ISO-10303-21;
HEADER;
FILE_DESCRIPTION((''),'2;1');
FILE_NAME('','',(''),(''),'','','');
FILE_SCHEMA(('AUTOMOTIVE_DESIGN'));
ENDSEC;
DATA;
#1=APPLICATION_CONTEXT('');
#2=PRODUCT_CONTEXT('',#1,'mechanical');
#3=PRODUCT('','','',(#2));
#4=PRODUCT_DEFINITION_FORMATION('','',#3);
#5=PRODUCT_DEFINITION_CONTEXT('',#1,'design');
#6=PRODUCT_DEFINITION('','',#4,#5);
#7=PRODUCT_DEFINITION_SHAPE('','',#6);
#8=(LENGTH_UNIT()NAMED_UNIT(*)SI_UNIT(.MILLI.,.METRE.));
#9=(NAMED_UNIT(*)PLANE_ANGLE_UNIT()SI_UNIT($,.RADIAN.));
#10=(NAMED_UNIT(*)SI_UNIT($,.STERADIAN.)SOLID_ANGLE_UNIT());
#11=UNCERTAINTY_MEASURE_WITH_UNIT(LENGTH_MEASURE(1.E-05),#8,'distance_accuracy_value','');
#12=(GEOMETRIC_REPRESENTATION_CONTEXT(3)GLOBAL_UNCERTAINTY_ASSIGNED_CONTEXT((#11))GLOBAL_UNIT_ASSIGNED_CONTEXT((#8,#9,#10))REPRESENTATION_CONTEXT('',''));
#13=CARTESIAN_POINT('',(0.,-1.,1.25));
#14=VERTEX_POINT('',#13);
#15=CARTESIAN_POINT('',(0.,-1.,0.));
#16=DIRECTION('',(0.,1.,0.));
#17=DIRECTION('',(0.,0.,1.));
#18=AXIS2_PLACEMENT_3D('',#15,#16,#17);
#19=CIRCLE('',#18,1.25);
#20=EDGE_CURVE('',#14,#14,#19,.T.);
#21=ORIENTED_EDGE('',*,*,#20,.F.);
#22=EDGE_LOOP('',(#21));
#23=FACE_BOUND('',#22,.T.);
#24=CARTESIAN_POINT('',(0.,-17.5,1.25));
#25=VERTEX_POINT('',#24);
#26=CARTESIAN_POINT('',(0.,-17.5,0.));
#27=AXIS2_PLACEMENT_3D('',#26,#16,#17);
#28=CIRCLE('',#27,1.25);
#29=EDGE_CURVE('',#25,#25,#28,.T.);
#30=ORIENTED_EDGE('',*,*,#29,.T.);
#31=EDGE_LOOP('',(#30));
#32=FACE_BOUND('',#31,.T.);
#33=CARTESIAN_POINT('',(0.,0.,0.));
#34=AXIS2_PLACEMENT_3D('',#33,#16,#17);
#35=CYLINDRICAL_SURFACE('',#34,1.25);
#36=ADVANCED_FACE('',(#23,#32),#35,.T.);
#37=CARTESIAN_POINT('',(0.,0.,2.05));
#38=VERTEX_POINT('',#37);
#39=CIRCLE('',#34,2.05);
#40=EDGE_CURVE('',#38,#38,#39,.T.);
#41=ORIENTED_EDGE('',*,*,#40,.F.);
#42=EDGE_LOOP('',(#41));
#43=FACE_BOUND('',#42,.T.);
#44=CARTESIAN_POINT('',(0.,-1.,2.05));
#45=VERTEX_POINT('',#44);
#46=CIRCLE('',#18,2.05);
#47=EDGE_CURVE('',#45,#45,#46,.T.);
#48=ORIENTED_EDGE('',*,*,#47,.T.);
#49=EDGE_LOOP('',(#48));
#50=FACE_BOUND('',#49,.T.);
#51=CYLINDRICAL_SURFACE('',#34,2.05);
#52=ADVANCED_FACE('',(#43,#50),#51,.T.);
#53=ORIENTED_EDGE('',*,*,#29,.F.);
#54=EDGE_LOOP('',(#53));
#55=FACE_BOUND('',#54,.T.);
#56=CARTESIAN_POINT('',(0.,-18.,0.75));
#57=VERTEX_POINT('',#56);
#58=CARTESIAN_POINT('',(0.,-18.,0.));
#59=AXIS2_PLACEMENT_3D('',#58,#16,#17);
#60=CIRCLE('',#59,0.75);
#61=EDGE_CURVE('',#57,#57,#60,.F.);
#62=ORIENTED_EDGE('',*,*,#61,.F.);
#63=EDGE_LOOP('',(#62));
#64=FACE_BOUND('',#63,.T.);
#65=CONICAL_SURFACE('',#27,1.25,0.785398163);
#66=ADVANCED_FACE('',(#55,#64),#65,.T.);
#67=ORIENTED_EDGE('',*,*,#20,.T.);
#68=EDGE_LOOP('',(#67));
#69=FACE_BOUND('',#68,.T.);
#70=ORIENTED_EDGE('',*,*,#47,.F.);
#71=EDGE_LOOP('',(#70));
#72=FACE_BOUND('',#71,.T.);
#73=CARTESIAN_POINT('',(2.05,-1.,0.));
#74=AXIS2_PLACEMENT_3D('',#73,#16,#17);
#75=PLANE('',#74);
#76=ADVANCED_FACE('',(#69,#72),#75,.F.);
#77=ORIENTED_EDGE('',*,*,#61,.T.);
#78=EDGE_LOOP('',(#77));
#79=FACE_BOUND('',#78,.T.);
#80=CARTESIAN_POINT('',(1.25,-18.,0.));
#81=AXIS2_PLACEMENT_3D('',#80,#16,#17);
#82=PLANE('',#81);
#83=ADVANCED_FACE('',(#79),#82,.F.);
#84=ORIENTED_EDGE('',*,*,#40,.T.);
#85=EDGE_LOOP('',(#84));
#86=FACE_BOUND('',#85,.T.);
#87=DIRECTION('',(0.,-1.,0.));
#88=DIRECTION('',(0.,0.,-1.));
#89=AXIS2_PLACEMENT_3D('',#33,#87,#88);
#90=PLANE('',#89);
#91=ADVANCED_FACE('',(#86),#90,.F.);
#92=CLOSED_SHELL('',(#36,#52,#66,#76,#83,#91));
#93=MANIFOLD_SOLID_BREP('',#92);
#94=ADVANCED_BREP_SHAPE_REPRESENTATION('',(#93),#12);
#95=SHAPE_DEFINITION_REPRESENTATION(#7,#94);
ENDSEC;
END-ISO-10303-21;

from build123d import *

# Parameters (mm, degrees)
CHAFL_N1_SIZE = 0.5


with BuildPart() as part:
    # Croquis1 → Revolución1 (revolve)
    with BuildSketch(Plane.XY):
        Polygon((0, 0), (2.05, 0), (2.05, -1), (1.25, -1), (1.25, -18), (0, -18), align=None)
    revolve(axis=Axis((0, 0, 0), (0, -1, 0)))

    # Chaflán1
    chafl_n1_edges = [part.edges().sort_by_distance(p)[0] for p in [
        (-1.25, -18, 0),
    ]]
    chamfer(chafl_n1_edges, length=CHAFL_N1_SIZE)


solid = part.part
